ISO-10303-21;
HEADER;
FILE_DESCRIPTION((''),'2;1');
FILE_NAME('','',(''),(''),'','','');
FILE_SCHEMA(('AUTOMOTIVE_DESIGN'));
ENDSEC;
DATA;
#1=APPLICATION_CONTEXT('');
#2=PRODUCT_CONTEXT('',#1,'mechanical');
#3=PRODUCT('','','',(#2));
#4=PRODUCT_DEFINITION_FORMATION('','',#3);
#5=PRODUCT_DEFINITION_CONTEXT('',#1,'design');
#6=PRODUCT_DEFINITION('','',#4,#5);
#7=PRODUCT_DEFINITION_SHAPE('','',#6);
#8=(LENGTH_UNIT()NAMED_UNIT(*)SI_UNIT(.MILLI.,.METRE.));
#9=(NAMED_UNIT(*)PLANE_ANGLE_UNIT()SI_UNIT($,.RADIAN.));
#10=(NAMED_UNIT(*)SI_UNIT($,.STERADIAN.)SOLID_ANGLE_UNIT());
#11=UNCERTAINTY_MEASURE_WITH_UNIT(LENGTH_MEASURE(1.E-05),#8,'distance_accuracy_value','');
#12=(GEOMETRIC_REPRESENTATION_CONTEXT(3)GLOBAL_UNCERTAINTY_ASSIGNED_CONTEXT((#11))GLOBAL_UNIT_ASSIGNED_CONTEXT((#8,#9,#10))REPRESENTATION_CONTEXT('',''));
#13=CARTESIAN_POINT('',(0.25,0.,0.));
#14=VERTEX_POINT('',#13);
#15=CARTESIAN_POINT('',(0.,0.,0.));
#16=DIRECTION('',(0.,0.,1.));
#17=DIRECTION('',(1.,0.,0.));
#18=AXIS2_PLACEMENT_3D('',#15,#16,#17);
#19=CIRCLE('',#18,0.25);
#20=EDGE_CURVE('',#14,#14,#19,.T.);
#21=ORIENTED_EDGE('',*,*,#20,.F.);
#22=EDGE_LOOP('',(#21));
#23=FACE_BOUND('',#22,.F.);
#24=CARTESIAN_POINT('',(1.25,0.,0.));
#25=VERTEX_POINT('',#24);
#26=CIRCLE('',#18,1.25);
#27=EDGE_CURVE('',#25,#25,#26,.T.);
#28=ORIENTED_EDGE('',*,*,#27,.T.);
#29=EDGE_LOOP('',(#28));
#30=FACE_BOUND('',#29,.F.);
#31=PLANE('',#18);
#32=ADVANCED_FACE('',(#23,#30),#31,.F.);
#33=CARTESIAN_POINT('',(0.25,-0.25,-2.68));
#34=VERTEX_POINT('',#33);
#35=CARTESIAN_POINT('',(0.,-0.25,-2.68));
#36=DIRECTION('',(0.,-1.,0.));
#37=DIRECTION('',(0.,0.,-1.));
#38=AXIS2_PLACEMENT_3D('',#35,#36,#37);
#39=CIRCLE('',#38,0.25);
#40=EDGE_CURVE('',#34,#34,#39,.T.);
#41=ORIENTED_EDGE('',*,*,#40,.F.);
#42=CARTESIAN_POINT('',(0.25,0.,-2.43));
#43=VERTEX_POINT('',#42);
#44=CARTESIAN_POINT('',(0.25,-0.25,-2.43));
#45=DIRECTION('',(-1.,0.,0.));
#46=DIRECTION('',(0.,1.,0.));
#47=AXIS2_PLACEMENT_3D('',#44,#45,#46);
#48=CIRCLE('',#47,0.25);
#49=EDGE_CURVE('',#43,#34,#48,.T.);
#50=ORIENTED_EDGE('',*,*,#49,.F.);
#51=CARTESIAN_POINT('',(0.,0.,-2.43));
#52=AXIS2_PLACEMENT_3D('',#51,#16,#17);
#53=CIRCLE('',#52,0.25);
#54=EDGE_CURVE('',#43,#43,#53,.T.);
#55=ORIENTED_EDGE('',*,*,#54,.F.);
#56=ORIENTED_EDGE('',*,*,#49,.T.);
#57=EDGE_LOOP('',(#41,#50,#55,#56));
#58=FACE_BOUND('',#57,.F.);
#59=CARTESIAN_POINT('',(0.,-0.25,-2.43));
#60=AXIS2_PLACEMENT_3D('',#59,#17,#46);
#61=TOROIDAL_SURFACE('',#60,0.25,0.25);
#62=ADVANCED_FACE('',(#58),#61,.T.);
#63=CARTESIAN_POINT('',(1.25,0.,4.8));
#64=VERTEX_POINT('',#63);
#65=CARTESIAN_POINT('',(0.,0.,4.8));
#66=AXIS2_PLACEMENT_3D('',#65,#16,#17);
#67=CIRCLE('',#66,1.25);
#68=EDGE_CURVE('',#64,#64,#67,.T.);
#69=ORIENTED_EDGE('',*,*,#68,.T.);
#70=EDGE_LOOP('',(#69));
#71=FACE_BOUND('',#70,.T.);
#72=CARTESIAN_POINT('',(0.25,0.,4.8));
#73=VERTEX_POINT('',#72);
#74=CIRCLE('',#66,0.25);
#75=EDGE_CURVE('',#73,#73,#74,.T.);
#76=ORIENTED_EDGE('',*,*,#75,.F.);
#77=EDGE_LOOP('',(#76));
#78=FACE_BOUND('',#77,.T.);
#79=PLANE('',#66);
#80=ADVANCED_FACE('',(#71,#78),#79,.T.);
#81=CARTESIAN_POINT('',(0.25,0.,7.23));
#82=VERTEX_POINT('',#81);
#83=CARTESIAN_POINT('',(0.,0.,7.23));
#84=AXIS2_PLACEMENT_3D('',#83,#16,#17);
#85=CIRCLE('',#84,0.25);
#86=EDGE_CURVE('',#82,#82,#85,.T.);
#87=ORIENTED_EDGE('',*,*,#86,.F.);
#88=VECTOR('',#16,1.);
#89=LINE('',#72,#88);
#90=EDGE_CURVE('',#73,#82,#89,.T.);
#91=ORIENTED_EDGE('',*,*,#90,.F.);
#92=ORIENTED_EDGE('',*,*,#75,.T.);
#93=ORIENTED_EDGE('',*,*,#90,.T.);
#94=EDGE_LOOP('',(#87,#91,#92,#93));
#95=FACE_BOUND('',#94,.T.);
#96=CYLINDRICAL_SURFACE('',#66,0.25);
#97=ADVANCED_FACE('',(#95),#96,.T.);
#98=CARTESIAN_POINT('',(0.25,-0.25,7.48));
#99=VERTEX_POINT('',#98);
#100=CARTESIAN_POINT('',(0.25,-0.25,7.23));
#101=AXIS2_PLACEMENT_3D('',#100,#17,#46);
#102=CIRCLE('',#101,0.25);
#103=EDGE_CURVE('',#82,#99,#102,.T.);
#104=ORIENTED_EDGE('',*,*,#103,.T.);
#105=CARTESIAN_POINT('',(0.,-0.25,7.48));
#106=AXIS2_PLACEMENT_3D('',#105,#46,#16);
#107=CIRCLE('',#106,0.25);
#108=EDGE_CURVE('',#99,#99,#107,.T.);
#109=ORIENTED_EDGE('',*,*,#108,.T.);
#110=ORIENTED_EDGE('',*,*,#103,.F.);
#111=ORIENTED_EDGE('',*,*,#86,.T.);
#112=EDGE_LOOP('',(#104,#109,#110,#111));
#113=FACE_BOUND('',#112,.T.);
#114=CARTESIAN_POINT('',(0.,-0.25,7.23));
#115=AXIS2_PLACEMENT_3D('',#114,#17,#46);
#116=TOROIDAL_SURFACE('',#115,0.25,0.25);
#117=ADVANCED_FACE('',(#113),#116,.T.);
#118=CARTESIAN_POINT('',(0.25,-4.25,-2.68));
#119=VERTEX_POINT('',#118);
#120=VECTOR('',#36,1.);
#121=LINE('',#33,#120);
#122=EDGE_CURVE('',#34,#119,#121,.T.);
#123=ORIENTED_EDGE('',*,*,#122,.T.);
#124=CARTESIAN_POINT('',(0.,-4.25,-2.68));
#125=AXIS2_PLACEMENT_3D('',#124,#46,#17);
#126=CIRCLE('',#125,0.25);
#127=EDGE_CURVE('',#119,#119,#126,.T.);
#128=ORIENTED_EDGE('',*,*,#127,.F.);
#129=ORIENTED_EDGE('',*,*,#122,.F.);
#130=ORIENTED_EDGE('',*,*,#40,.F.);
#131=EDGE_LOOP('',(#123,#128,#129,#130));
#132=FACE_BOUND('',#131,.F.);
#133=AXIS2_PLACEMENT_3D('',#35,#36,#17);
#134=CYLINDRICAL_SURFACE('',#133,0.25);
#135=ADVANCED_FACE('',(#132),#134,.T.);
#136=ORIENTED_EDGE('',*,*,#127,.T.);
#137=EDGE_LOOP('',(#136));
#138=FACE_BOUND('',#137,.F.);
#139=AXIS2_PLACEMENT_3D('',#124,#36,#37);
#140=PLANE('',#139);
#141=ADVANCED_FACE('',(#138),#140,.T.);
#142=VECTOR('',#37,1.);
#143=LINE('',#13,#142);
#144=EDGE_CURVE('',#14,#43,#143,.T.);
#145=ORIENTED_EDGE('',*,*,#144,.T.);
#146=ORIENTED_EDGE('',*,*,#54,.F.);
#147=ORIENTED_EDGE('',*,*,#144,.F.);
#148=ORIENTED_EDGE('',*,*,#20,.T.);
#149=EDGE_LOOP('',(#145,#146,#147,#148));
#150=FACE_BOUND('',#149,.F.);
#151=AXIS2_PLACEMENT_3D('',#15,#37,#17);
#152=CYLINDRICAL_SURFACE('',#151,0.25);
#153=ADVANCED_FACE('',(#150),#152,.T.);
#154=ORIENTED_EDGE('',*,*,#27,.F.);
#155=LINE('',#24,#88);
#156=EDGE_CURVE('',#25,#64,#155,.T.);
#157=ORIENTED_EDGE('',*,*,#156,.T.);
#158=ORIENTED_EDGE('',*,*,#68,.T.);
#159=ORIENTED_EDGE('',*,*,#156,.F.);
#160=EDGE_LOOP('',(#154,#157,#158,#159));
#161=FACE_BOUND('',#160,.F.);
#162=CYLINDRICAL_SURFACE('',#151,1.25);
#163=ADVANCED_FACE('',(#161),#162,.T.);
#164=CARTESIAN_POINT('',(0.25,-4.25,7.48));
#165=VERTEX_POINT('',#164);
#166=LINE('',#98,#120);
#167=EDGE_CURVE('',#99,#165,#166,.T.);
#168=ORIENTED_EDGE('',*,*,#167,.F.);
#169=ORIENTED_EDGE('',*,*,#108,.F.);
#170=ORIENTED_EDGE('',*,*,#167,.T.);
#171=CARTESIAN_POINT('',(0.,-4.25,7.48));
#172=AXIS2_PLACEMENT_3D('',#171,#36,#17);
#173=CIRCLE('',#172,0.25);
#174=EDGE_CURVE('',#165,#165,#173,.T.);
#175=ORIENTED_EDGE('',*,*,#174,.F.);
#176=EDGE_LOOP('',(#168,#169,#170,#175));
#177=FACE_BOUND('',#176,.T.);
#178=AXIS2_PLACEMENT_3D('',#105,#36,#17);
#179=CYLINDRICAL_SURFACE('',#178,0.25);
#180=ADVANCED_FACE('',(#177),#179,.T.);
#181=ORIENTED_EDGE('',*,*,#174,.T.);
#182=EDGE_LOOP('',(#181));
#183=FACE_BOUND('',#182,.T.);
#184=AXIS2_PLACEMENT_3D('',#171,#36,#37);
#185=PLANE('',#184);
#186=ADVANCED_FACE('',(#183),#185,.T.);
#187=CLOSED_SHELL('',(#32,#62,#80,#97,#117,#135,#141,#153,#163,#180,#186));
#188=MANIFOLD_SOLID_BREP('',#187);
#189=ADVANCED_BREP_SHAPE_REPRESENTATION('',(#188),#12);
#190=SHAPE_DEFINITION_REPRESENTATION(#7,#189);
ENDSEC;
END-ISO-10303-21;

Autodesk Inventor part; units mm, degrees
sketch "Skizze3" plane through (0, 0, 0) normal (0, 0, 1) x (1, 0, 0)
  circle A0 centre (0, 0) radius 1.25
  dimension "d0" = 2.5
extrude "Extrusion1" add sketch "Skizze3" along normal blind 4.8
ref_plane "Arbeitsebene1" through (0, 0, 3.8) normal (0, 0, 1) x (1, 0, 0)
split_face "Trennen1"
ref_plane "Arbeitsebene2" through (0, 0, 0) normal (1, 0, 0) x (0, 1, 0)
sketch "Skizze6" plane through (0, 0, 0) normal (1, 0, 0) x (0, 1, 0)
  line L0 (0, 4.8) -> (0, 7.23)
  arc A0 (0, 7.23) -> (-0.25, 7.48) centre (-0.25, 7.23) ccw
  line L1 (-0.25, 7.23) -> (-0.25, 7.48) construction
  line L2 (-0.25, 7.23) -> (0, 7.23) construction
  line L3 (-0.25, 7.48) -> (-4.25, 7.48)
  line L4 (1.25, 4.8) -> (-1.25, 4.8) projected
  line L5 (1.25, 4.8) -> (1.25, 3.8) projected
  line L6 (1.25, 3.8) -> (1.25, 0) projected
  line L7 (1.25, 0) -> (-1.25, 0) projected
  line L8 (-1.25, 0) -> (-1.25, 3.8) projected
  line L9 (-1.25, 3.8) -> (-1.25, 4.8) projected
  line L10 (-1.25, 4.8) -> (1.25, 4.8) projected
  line L11 (-1.25, 3.8) -> (-1.25, 4.8) projected
  point P0 (0, 0)
  dimension "d7" = 90
  dimension "d9" = 2.43
  dimension "d10" = 4
  dimension "d13" = 0.25
  dimension "d20" = 0.25
  dimension "d21" = 1.25
sketch "Skizze4" plane through (0, 0, 4.8) normal (0, 0, 1) x (1, 0, 0)
  circle A0 centre (0, 0) radius 0.25
  dimension "d4" = 0.5
sweep "Sweeping1" add profiles "Skizze4" path "Skizze6" path curves L0 A0 L3
ref_plane "Arbeitsebene3" through (0, 0, 2.4) normal (0, 0, -1) x (-1, 0, 0)
mirror "Spiegeln1" about plane through (0, 0, 2.4) normal (0, 0, -1) of "Sweeping1"
properties part number "Diod1e"
